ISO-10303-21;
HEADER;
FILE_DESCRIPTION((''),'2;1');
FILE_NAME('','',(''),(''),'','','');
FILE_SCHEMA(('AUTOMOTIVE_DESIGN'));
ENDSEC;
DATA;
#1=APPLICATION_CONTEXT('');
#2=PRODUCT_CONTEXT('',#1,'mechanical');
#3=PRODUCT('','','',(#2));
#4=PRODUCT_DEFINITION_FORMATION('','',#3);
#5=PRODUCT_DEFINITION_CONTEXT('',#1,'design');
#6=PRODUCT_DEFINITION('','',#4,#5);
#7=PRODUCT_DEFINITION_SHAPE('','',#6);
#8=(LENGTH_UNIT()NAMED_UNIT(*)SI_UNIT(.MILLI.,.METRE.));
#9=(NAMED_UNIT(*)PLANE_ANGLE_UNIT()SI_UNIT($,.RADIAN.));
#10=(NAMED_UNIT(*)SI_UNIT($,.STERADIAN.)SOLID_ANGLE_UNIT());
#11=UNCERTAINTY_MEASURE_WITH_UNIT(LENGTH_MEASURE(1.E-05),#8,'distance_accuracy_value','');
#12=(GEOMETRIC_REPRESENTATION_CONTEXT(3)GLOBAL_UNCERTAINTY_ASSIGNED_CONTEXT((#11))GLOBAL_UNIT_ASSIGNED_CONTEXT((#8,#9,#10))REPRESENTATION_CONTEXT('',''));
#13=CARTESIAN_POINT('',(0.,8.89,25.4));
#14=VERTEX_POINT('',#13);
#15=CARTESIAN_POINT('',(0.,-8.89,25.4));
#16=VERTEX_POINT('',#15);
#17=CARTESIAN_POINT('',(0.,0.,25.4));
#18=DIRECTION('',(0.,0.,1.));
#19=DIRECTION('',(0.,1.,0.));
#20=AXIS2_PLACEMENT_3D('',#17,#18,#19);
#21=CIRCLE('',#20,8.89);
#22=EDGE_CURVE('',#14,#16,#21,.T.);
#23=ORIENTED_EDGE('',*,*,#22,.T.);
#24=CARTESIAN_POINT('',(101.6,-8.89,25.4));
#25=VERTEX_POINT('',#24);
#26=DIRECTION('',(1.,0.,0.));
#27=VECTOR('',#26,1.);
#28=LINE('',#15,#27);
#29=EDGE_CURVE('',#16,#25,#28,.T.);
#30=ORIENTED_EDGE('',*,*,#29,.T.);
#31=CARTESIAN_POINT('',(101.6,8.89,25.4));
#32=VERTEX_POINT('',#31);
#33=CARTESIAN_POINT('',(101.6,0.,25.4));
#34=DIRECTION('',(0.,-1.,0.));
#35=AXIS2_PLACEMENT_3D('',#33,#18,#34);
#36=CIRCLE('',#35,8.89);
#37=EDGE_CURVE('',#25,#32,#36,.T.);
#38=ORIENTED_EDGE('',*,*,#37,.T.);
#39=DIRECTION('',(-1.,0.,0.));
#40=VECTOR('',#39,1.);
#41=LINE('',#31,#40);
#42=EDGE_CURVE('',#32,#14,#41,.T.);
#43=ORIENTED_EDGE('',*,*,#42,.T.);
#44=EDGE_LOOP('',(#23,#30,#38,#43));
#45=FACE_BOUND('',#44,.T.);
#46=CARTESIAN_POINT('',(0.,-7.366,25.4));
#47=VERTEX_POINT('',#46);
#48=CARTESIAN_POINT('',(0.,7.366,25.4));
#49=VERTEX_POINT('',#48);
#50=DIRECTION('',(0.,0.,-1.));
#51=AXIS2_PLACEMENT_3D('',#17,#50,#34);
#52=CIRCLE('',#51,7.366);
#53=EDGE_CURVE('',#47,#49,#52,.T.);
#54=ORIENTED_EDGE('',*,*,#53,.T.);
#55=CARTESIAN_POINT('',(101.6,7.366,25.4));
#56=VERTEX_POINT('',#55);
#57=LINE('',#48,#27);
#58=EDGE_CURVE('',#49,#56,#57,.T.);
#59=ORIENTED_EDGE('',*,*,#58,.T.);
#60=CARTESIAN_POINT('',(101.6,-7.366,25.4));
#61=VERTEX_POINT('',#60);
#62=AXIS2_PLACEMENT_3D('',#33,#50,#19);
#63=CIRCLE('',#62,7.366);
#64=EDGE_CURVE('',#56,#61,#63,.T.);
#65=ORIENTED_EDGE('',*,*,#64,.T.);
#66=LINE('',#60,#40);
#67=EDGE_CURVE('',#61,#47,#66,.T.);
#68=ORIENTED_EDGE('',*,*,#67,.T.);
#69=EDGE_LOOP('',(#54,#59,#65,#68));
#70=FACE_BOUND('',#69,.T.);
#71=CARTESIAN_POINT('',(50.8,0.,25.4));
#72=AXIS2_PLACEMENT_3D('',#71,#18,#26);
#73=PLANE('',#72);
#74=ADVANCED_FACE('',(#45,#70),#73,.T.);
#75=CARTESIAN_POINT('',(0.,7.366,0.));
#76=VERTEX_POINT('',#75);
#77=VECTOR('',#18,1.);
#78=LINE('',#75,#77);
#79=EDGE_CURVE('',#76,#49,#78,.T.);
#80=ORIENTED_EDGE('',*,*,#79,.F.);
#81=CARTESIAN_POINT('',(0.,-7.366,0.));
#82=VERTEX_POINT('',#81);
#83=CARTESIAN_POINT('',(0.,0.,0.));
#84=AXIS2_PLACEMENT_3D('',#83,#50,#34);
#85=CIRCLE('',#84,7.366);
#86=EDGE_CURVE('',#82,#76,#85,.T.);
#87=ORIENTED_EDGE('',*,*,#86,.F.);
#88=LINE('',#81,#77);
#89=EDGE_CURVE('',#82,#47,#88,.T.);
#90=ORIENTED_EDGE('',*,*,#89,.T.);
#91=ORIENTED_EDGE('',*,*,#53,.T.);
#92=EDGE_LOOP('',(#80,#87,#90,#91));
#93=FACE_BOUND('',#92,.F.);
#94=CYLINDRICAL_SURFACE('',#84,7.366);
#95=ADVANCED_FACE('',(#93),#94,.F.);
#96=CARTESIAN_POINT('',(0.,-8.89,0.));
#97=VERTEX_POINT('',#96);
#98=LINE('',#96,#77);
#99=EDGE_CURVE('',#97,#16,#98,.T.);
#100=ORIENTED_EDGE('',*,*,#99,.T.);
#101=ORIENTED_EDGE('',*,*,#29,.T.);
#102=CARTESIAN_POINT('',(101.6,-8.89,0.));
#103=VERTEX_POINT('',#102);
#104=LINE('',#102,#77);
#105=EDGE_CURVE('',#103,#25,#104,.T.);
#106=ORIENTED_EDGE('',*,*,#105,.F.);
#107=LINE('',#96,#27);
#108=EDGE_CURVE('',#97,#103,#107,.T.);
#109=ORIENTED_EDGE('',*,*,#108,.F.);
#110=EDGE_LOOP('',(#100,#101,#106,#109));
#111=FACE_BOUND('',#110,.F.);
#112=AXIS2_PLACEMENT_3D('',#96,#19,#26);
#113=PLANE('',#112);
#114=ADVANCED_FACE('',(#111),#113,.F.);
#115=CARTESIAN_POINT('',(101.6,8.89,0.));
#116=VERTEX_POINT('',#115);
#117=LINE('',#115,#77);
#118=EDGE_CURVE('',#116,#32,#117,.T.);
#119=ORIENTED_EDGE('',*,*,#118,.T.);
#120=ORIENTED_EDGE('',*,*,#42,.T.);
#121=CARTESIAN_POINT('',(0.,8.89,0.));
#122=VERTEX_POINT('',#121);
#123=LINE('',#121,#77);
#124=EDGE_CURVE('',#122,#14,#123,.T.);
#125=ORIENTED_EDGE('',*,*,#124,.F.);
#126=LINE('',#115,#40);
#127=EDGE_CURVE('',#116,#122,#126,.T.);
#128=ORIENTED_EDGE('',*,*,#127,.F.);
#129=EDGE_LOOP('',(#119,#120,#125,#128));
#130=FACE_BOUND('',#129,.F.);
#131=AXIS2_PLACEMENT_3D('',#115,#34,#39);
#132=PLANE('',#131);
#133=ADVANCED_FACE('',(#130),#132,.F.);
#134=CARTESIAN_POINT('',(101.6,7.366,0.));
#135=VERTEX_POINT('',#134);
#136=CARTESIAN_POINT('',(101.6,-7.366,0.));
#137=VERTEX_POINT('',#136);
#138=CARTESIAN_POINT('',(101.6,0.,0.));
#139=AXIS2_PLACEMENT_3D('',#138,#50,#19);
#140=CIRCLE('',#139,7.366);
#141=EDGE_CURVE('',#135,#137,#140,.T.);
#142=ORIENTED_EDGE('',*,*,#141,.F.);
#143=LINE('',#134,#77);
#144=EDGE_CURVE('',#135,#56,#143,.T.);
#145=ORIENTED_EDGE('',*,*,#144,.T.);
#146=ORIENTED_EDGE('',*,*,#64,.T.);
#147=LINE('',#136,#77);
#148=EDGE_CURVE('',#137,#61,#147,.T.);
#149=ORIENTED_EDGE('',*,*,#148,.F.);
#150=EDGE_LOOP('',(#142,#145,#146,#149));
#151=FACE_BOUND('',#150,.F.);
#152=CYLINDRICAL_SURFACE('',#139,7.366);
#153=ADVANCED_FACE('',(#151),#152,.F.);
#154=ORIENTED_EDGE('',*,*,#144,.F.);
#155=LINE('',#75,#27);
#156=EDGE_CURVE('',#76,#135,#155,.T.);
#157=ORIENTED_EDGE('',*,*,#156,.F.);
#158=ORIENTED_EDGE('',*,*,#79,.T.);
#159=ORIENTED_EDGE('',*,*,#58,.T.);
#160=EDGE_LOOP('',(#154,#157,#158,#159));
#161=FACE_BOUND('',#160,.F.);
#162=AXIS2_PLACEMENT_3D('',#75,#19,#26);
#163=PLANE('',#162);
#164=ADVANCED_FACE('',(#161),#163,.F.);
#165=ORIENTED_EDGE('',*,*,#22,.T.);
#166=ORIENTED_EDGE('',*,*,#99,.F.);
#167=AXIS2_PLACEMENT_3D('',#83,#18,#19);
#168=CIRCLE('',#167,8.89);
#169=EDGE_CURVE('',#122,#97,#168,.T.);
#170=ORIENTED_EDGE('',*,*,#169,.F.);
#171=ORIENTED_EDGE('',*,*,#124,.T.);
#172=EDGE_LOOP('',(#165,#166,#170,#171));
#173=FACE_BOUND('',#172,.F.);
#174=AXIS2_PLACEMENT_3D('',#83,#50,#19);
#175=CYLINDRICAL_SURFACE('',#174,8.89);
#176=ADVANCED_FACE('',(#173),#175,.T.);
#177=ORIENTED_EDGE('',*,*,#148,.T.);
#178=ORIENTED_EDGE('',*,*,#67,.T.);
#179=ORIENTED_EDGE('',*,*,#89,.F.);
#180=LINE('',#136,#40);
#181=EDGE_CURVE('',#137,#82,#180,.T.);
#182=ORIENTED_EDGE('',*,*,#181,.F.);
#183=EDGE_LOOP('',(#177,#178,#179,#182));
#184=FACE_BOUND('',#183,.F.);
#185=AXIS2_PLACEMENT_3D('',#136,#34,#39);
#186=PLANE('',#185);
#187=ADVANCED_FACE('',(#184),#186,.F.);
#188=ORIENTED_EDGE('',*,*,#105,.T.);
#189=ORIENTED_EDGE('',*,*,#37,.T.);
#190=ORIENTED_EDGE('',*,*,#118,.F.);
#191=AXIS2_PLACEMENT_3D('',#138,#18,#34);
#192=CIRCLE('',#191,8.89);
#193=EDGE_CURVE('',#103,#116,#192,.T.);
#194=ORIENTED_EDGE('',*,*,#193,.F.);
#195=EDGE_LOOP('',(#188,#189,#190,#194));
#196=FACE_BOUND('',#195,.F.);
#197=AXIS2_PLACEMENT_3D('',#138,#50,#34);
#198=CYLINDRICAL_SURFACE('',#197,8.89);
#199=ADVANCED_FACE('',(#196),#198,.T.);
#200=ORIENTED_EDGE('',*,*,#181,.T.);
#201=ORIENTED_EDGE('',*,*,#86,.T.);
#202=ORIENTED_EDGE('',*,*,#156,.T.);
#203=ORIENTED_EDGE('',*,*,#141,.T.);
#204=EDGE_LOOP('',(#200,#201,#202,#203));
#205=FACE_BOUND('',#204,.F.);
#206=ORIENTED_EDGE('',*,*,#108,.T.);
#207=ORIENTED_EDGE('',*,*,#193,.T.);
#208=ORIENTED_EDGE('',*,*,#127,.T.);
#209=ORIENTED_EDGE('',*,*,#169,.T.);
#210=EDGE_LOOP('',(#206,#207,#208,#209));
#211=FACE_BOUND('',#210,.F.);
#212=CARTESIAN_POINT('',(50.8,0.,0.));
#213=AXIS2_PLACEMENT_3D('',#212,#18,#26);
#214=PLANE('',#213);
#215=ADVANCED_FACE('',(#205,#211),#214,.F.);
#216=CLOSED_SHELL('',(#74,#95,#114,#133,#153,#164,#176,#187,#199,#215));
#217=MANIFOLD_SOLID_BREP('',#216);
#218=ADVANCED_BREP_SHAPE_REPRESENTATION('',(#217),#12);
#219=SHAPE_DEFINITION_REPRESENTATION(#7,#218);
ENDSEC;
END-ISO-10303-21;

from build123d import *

# Parameters (mm, degrees)
F1_DEPTH = 25.4


with BuildPart() as f1:
    # F0 (on Top) → F1 (new body)
    with BuildSketch(Plane.XY):
        with BuildLine():
            Line((101.6, 8.89), (0, 8.89))
            ThreePointArc((0, 8.89), (-8.89, 0), (0, -8.89))
            Line((0, -8.89), (101.6, -8.89))
            ThreePointArc((101.6, -8.89), (110.49, 0), (101.6, 8.89))
        make_face()
        with BuildLine():
            Line((101.6, -7.366), (0, -7.366))
            ThreePointArc((0, -7.366), (-7.366, 0), (0, 7.366))
            Line((0, 7.366), (101.6, 7.366))
            ThreePointArc((101.6, 7.366), (108.966, 0), (101.6, -7.366))
        make_face(mode=Mode.SUBTRACT)
    extrude(amount=F1_DEPTH)


solid = f1.part
